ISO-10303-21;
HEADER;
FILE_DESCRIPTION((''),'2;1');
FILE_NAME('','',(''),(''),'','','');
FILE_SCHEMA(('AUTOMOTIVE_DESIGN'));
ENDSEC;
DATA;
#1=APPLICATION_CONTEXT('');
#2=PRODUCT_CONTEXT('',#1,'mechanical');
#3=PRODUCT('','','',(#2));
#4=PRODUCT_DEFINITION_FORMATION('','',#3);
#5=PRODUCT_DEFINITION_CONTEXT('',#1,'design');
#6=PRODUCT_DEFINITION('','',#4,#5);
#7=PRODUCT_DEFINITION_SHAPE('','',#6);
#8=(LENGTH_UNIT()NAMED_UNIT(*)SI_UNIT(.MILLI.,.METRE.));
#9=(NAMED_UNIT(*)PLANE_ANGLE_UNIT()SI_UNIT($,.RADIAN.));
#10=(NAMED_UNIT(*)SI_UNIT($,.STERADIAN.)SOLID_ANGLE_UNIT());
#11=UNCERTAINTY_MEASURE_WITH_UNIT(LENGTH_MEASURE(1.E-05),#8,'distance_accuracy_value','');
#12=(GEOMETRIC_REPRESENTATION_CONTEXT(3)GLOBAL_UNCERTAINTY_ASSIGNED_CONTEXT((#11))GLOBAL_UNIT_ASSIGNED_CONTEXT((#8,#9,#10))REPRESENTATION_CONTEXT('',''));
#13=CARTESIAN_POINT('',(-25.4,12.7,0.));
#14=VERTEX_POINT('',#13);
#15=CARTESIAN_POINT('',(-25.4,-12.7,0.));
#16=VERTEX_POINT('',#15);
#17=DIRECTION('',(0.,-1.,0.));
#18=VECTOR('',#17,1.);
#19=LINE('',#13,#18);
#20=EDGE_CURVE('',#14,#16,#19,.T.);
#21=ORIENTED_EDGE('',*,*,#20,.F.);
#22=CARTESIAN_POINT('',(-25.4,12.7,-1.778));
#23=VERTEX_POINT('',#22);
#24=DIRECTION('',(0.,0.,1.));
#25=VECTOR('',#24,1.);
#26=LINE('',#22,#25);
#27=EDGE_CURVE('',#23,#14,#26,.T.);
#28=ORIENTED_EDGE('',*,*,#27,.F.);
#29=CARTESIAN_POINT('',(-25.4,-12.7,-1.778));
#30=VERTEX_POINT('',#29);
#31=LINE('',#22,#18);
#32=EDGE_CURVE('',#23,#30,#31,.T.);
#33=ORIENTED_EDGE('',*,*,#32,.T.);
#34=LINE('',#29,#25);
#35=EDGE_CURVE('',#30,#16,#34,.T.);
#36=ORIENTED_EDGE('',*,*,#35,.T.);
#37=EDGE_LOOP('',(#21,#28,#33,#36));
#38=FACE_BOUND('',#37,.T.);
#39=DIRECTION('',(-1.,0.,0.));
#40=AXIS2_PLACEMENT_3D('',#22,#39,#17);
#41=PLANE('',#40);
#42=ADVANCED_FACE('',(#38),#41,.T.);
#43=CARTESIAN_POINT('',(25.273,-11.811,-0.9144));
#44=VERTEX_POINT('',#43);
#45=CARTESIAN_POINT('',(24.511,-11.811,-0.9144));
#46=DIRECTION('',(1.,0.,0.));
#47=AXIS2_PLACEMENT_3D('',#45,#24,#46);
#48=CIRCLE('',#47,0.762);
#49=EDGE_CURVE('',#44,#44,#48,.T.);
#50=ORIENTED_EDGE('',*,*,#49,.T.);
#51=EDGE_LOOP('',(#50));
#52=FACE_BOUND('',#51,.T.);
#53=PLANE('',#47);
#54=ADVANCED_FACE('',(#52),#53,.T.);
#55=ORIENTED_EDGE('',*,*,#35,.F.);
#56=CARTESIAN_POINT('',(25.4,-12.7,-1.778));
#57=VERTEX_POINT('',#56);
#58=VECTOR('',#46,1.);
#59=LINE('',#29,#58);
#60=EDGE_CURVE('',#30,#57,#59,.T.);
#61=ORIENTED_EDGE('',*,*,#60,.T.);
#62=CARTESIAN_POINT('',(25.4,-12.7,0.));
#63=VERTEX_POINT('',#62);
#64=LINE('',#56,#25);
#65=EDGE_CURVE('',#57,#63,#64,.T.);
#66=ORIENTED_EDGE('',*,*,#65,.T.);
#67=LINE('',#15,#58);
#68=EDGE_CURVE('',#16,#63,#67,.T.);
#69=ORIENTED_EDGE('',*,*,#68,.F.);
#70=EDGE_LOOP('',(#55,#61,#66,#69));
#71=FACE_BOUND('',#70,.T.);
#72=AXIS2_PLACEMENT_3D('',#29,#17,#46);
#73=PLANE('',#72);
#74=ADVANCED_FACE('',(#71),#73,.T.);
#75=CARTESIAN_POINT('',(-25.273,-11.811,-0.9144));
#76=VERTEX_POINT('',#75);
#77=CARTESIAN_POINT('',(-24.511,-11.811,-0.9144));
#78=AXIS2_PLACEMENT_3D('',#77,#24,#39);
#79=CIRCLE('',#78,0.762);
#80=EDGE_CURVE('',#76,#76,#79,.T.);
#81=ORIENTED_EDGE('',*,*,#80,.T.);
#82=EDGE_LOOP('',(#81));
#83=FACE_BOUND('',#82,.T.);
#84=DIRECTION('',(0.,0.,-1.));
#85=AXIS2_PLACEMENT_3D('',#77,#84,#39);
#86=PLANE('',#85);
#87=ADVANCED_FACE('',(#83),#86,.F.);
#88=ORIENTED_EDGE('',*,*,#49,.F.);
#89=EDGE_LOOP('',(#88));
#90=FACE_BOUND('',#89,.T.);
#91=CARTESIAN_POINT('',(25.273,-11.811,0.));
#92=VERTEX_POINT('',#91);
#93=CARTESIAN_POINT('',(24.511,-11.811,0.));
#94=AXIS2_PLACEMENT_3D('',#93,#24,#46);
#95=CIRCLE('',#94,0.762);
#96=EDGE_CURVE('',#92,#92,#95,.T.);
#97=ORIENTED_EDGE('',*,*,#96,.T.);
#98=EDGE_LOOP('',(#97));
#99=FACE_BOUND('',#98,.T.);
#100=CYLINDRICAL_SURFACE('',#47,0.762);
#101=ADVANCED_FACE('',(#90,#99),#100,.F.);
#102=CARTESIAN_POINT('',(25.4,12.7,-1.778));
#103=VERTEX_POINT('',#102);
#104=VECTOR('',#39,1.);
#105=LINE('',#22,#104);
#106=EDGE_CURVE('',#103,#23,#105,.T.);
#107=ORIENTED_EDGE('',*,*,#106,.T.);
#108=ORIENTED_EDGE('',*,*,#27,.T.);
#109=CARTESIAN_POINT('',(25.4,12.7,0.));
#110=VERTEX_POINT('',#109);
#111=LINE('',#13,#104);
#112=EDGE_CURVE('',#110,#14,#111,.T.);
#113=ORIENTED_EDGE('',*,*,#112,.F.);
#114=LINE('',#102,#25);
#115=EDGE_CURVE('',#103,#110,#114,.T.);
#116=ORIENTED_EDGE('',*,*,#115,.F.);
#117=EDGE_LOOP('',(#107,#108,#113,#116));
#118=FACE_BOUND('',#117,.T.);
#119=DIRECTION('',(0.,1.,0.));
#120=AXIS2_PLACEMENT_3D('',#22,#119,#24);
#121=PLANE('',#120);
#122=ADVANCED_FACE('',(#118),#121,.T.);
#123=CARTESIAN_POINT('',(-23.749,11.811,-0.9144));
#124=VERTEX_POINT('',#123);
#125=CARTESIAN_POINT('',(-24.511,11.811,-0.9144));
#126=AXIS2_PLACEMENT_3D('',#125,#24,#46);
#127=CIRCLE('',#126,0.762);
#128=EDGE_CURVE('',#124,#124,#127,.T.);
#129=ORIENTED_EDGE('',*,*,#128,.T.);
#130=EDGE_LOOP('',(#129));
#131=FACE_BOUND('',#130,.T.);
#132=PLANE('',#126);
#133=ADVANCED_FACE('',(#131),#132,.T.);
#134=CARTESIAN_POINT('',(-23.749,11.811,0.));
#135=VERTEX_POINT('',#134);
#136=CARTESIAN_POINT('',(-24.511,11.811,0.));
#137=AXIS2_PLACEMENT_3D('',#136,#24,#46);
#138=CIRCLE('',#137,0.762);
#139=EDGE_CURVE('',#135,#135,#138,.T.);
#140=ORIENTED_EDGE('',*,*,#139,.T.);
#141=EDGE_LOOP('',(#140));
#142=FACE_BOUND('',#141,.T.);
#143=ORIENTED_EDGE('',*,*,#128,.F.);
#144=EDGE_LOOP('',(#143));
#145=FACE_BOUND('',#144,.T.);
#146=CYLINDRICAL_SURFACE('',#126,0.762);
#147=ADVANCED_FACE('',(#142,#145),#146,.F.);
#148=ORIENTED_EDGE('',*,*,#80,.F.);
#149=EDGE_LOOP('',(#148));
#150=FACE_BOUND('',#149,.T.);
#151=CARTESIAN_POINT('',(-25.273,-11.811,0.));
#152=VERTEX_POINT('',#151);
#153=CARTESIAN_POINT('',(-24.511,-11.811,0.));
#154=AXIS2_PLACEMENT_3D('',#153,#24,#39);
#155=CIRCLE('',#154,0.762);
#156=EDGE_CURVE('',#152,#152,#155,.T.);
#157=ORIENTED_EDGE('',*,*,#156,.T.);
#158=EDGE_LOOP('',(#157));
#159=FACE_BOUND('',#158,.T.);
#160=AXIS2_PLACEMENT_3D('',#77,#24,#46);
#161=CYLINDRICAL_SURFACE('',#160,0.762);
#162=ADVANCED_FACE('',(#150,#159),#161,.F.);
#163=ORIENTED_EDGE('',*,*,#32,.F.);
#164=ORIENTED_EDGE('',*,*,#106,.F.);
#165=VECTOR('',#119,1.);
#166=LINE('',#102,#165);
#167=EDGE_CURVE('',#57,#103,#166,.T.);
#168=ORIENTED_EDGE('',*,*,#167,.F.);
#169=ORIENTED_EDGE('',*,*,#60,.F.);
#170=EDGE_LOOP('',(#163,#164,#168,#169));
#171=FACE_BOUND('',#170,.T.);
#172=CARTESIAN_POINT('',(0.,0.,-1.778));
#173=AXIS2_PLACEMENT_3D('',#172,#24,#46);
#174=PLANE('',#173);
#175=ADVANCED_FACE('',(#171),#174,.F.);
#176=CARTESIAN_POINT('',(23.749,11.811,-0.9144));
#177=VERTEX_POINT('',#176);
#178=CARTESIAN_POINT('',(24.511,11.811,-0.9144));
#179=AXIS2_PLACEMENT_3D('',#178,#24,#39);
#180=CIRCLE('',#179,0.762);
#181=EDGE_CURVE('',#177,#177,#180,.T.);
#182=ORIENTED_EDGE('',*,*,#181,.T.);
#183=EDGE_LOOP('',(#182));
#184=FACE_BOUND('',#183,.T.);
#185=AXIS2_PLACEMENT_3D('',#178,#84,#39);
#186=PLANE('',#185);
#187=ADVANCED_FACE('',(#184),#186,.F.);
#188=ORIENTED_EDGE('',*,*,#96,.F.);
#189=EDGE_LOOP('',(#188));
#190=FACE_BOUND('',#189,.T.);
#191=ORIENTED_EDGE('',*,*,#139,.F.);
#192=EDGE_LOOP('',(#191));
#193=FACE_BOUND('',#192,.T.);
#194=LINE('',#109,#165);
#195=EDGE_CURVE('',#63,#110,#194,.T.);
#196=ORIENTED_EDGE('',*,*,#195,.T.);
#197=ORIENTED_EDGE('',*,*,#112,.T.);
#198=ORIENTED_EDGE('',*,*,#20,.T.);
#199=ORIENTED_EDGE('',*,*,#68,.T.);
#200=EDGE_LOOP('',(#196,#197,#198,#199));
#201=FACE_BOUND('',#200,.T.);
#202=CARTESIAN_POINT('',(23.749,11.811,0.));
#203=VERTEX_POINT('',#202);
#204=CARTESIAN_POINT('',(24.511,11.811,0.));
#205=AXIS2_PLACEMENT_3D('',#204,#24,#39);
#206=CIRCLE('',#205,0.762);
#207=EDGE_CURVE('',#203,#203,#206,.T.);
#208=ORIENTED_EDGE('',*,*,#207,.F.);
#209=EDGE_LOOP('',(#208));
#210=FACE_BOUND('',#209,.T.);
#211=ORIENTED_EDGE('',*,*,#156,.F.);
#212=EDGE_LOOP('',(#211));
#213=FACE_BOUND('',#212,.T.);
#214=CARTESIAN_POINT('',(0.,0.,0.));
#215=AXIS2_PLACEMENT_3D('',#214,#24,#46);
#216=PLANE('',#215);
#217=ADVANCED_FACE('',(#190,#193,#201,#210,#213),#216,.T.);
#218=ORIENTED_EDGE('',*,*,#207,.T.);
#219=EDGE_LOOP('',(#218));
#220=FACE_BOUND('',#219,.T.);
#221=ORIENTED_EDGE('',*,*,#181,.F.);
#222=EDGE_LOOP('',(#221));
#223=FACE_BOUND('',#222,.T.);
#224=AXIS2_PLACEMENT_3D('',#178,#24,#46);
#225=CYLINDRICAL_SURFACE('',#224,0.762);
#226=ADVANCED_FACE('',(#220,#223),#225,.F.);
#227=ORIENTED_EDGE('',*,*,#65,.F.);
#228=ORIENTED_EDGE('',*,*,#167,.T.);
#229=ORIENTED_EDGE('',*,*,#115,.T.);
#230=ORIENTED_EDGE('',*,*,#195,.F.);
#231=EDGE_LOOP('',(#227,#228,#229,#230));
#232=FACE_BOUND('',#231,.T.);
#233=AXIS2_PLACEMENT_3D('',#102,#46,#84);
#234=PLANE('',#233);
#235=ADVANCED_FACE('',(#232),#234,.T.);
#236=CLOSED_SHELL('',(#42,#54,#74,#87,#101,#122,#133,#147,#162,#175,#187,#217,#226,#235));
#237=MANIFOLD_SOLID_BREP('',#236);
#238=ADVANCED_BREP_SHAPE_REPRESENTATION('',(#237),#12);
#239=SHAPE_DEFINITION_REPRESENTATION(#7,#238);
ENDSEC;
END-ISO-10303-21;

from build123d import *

# Parameters (mm, degrees)
SKETCH1_W           = 50.8
SKETCH1_H           = 25.4
BOSS_EXTRUDE1_DEPTH = 1.778
SKETCH2_R           = 0.762
CUT_EXTRUDE2_DEPTH  = 0.9144


with BuildPart() as part:
    # Sketch1 → Boss-Extrude1 (new body)
    with BuildSketch(Plane.XY):
        Rectangle(SKETCH1_W, SKETCH1_H)
    extrude(amount=-BOSS_EXTRUDE1_DEPTH)

    # Sketch2 → Cut-Extrude2 (cut)
    with BuildSketch(Plane.XY):
        with Locations((-24.511, 11.811)):
            Circle(SKETCH2_R)
        with Locations(Location((24.511, 11.811, 0), (0, 0, 180))):
            Circle(SKETCH2_R)
        with Locations((24.511, -11.811)):
            Circle(SKETCH2_R)
        with Locations(Location((-24.511, -11.811, 0), (0, 0, 180))):
            Circle(SKETCH2_R)
    extrude(amount=-CUT_EXTRUDE2_DEPTH, mode=Mode.SUBTRACT)


solid = part.part
